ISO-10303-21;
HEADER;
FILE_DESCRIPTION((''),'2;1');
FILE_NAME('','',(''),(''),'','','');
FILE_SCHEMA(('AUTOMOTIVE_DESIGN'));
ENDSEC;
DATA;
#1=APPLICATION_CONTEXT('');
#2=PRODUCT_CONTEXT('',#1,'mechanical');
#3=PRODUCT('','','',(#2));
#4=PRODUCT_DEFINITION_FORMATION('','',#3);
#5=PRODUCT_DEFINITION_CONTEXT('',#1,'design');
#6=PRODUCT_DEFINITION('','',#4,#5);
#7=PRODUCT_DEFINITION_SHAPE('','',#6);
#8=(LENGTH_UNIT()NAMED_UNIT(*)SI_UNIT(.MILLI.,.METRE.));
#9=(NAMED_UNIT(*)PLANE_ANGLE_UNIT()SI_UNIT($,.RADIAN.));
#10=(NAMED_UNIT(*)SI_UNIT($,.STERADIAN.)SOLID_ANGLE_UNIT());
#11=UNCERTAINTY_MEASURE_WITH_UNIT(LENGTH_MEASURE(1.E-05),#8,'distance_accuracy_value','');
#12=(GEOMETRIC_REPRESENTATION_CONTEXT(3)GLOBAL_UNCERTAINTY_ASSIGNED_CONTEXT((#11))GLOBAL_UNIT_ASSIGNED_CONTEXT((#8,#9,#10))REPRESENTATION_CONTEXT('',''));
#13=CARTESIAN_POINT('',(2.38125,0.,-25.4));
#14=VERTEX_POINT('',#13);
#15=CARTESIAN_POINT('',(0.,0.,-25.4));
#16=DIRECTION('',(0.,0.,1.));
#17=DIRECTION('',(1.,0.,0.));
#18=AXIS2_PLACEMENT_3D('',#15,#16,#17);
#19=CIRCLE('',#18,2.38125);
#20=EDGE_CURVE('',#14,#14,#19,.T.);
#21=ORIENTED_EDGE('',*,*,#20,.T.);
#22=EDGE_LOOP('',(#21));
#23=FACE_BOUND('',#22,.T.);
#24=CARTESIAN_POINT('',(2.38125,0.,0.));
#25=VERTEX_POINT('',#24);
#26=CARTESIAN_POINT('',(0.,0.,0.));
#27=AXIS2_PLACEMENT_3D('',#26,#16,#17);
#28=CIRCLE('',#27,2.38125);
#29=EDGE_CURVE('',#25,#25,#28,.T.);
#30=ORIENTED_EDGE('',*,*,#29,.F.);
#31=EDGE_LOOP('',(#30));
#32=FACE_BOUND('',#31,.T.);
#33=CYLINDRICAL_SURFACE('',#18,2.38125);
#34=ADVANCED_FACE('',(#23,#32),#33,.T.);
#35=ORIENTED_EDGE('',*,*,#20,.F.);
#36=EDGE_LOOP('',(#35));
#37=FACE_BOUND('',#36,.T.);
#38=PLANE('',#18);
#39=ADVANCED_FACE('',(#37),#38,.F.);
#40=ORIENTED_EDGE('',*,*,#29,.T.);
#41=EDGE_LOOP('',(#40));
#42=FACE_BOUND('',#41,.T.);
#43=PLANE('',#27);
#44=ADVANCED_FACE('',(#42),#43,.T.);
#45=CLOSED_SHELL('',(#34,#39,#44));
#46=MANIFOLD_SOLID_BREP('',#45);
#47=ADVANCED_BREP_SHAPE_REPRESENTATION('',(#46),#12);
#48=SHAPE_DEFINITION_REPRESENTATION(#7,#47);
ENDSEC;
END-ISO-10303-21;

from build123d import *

# Parameters (mm, degrees)
SKETCH1_R           = 2.38125
BOSS_EXTRUDE1_DEPTH = 25.4


with BuildPart() as part:
    # Sketch1 → Boss-Extrude1 (new body)
    with BuildSketch(Plane.XY):
        Circle(SKETCH1_R)
    extrude(amount=-BOSS_EXTRUDE1_DEPTH)


solid = part.part
